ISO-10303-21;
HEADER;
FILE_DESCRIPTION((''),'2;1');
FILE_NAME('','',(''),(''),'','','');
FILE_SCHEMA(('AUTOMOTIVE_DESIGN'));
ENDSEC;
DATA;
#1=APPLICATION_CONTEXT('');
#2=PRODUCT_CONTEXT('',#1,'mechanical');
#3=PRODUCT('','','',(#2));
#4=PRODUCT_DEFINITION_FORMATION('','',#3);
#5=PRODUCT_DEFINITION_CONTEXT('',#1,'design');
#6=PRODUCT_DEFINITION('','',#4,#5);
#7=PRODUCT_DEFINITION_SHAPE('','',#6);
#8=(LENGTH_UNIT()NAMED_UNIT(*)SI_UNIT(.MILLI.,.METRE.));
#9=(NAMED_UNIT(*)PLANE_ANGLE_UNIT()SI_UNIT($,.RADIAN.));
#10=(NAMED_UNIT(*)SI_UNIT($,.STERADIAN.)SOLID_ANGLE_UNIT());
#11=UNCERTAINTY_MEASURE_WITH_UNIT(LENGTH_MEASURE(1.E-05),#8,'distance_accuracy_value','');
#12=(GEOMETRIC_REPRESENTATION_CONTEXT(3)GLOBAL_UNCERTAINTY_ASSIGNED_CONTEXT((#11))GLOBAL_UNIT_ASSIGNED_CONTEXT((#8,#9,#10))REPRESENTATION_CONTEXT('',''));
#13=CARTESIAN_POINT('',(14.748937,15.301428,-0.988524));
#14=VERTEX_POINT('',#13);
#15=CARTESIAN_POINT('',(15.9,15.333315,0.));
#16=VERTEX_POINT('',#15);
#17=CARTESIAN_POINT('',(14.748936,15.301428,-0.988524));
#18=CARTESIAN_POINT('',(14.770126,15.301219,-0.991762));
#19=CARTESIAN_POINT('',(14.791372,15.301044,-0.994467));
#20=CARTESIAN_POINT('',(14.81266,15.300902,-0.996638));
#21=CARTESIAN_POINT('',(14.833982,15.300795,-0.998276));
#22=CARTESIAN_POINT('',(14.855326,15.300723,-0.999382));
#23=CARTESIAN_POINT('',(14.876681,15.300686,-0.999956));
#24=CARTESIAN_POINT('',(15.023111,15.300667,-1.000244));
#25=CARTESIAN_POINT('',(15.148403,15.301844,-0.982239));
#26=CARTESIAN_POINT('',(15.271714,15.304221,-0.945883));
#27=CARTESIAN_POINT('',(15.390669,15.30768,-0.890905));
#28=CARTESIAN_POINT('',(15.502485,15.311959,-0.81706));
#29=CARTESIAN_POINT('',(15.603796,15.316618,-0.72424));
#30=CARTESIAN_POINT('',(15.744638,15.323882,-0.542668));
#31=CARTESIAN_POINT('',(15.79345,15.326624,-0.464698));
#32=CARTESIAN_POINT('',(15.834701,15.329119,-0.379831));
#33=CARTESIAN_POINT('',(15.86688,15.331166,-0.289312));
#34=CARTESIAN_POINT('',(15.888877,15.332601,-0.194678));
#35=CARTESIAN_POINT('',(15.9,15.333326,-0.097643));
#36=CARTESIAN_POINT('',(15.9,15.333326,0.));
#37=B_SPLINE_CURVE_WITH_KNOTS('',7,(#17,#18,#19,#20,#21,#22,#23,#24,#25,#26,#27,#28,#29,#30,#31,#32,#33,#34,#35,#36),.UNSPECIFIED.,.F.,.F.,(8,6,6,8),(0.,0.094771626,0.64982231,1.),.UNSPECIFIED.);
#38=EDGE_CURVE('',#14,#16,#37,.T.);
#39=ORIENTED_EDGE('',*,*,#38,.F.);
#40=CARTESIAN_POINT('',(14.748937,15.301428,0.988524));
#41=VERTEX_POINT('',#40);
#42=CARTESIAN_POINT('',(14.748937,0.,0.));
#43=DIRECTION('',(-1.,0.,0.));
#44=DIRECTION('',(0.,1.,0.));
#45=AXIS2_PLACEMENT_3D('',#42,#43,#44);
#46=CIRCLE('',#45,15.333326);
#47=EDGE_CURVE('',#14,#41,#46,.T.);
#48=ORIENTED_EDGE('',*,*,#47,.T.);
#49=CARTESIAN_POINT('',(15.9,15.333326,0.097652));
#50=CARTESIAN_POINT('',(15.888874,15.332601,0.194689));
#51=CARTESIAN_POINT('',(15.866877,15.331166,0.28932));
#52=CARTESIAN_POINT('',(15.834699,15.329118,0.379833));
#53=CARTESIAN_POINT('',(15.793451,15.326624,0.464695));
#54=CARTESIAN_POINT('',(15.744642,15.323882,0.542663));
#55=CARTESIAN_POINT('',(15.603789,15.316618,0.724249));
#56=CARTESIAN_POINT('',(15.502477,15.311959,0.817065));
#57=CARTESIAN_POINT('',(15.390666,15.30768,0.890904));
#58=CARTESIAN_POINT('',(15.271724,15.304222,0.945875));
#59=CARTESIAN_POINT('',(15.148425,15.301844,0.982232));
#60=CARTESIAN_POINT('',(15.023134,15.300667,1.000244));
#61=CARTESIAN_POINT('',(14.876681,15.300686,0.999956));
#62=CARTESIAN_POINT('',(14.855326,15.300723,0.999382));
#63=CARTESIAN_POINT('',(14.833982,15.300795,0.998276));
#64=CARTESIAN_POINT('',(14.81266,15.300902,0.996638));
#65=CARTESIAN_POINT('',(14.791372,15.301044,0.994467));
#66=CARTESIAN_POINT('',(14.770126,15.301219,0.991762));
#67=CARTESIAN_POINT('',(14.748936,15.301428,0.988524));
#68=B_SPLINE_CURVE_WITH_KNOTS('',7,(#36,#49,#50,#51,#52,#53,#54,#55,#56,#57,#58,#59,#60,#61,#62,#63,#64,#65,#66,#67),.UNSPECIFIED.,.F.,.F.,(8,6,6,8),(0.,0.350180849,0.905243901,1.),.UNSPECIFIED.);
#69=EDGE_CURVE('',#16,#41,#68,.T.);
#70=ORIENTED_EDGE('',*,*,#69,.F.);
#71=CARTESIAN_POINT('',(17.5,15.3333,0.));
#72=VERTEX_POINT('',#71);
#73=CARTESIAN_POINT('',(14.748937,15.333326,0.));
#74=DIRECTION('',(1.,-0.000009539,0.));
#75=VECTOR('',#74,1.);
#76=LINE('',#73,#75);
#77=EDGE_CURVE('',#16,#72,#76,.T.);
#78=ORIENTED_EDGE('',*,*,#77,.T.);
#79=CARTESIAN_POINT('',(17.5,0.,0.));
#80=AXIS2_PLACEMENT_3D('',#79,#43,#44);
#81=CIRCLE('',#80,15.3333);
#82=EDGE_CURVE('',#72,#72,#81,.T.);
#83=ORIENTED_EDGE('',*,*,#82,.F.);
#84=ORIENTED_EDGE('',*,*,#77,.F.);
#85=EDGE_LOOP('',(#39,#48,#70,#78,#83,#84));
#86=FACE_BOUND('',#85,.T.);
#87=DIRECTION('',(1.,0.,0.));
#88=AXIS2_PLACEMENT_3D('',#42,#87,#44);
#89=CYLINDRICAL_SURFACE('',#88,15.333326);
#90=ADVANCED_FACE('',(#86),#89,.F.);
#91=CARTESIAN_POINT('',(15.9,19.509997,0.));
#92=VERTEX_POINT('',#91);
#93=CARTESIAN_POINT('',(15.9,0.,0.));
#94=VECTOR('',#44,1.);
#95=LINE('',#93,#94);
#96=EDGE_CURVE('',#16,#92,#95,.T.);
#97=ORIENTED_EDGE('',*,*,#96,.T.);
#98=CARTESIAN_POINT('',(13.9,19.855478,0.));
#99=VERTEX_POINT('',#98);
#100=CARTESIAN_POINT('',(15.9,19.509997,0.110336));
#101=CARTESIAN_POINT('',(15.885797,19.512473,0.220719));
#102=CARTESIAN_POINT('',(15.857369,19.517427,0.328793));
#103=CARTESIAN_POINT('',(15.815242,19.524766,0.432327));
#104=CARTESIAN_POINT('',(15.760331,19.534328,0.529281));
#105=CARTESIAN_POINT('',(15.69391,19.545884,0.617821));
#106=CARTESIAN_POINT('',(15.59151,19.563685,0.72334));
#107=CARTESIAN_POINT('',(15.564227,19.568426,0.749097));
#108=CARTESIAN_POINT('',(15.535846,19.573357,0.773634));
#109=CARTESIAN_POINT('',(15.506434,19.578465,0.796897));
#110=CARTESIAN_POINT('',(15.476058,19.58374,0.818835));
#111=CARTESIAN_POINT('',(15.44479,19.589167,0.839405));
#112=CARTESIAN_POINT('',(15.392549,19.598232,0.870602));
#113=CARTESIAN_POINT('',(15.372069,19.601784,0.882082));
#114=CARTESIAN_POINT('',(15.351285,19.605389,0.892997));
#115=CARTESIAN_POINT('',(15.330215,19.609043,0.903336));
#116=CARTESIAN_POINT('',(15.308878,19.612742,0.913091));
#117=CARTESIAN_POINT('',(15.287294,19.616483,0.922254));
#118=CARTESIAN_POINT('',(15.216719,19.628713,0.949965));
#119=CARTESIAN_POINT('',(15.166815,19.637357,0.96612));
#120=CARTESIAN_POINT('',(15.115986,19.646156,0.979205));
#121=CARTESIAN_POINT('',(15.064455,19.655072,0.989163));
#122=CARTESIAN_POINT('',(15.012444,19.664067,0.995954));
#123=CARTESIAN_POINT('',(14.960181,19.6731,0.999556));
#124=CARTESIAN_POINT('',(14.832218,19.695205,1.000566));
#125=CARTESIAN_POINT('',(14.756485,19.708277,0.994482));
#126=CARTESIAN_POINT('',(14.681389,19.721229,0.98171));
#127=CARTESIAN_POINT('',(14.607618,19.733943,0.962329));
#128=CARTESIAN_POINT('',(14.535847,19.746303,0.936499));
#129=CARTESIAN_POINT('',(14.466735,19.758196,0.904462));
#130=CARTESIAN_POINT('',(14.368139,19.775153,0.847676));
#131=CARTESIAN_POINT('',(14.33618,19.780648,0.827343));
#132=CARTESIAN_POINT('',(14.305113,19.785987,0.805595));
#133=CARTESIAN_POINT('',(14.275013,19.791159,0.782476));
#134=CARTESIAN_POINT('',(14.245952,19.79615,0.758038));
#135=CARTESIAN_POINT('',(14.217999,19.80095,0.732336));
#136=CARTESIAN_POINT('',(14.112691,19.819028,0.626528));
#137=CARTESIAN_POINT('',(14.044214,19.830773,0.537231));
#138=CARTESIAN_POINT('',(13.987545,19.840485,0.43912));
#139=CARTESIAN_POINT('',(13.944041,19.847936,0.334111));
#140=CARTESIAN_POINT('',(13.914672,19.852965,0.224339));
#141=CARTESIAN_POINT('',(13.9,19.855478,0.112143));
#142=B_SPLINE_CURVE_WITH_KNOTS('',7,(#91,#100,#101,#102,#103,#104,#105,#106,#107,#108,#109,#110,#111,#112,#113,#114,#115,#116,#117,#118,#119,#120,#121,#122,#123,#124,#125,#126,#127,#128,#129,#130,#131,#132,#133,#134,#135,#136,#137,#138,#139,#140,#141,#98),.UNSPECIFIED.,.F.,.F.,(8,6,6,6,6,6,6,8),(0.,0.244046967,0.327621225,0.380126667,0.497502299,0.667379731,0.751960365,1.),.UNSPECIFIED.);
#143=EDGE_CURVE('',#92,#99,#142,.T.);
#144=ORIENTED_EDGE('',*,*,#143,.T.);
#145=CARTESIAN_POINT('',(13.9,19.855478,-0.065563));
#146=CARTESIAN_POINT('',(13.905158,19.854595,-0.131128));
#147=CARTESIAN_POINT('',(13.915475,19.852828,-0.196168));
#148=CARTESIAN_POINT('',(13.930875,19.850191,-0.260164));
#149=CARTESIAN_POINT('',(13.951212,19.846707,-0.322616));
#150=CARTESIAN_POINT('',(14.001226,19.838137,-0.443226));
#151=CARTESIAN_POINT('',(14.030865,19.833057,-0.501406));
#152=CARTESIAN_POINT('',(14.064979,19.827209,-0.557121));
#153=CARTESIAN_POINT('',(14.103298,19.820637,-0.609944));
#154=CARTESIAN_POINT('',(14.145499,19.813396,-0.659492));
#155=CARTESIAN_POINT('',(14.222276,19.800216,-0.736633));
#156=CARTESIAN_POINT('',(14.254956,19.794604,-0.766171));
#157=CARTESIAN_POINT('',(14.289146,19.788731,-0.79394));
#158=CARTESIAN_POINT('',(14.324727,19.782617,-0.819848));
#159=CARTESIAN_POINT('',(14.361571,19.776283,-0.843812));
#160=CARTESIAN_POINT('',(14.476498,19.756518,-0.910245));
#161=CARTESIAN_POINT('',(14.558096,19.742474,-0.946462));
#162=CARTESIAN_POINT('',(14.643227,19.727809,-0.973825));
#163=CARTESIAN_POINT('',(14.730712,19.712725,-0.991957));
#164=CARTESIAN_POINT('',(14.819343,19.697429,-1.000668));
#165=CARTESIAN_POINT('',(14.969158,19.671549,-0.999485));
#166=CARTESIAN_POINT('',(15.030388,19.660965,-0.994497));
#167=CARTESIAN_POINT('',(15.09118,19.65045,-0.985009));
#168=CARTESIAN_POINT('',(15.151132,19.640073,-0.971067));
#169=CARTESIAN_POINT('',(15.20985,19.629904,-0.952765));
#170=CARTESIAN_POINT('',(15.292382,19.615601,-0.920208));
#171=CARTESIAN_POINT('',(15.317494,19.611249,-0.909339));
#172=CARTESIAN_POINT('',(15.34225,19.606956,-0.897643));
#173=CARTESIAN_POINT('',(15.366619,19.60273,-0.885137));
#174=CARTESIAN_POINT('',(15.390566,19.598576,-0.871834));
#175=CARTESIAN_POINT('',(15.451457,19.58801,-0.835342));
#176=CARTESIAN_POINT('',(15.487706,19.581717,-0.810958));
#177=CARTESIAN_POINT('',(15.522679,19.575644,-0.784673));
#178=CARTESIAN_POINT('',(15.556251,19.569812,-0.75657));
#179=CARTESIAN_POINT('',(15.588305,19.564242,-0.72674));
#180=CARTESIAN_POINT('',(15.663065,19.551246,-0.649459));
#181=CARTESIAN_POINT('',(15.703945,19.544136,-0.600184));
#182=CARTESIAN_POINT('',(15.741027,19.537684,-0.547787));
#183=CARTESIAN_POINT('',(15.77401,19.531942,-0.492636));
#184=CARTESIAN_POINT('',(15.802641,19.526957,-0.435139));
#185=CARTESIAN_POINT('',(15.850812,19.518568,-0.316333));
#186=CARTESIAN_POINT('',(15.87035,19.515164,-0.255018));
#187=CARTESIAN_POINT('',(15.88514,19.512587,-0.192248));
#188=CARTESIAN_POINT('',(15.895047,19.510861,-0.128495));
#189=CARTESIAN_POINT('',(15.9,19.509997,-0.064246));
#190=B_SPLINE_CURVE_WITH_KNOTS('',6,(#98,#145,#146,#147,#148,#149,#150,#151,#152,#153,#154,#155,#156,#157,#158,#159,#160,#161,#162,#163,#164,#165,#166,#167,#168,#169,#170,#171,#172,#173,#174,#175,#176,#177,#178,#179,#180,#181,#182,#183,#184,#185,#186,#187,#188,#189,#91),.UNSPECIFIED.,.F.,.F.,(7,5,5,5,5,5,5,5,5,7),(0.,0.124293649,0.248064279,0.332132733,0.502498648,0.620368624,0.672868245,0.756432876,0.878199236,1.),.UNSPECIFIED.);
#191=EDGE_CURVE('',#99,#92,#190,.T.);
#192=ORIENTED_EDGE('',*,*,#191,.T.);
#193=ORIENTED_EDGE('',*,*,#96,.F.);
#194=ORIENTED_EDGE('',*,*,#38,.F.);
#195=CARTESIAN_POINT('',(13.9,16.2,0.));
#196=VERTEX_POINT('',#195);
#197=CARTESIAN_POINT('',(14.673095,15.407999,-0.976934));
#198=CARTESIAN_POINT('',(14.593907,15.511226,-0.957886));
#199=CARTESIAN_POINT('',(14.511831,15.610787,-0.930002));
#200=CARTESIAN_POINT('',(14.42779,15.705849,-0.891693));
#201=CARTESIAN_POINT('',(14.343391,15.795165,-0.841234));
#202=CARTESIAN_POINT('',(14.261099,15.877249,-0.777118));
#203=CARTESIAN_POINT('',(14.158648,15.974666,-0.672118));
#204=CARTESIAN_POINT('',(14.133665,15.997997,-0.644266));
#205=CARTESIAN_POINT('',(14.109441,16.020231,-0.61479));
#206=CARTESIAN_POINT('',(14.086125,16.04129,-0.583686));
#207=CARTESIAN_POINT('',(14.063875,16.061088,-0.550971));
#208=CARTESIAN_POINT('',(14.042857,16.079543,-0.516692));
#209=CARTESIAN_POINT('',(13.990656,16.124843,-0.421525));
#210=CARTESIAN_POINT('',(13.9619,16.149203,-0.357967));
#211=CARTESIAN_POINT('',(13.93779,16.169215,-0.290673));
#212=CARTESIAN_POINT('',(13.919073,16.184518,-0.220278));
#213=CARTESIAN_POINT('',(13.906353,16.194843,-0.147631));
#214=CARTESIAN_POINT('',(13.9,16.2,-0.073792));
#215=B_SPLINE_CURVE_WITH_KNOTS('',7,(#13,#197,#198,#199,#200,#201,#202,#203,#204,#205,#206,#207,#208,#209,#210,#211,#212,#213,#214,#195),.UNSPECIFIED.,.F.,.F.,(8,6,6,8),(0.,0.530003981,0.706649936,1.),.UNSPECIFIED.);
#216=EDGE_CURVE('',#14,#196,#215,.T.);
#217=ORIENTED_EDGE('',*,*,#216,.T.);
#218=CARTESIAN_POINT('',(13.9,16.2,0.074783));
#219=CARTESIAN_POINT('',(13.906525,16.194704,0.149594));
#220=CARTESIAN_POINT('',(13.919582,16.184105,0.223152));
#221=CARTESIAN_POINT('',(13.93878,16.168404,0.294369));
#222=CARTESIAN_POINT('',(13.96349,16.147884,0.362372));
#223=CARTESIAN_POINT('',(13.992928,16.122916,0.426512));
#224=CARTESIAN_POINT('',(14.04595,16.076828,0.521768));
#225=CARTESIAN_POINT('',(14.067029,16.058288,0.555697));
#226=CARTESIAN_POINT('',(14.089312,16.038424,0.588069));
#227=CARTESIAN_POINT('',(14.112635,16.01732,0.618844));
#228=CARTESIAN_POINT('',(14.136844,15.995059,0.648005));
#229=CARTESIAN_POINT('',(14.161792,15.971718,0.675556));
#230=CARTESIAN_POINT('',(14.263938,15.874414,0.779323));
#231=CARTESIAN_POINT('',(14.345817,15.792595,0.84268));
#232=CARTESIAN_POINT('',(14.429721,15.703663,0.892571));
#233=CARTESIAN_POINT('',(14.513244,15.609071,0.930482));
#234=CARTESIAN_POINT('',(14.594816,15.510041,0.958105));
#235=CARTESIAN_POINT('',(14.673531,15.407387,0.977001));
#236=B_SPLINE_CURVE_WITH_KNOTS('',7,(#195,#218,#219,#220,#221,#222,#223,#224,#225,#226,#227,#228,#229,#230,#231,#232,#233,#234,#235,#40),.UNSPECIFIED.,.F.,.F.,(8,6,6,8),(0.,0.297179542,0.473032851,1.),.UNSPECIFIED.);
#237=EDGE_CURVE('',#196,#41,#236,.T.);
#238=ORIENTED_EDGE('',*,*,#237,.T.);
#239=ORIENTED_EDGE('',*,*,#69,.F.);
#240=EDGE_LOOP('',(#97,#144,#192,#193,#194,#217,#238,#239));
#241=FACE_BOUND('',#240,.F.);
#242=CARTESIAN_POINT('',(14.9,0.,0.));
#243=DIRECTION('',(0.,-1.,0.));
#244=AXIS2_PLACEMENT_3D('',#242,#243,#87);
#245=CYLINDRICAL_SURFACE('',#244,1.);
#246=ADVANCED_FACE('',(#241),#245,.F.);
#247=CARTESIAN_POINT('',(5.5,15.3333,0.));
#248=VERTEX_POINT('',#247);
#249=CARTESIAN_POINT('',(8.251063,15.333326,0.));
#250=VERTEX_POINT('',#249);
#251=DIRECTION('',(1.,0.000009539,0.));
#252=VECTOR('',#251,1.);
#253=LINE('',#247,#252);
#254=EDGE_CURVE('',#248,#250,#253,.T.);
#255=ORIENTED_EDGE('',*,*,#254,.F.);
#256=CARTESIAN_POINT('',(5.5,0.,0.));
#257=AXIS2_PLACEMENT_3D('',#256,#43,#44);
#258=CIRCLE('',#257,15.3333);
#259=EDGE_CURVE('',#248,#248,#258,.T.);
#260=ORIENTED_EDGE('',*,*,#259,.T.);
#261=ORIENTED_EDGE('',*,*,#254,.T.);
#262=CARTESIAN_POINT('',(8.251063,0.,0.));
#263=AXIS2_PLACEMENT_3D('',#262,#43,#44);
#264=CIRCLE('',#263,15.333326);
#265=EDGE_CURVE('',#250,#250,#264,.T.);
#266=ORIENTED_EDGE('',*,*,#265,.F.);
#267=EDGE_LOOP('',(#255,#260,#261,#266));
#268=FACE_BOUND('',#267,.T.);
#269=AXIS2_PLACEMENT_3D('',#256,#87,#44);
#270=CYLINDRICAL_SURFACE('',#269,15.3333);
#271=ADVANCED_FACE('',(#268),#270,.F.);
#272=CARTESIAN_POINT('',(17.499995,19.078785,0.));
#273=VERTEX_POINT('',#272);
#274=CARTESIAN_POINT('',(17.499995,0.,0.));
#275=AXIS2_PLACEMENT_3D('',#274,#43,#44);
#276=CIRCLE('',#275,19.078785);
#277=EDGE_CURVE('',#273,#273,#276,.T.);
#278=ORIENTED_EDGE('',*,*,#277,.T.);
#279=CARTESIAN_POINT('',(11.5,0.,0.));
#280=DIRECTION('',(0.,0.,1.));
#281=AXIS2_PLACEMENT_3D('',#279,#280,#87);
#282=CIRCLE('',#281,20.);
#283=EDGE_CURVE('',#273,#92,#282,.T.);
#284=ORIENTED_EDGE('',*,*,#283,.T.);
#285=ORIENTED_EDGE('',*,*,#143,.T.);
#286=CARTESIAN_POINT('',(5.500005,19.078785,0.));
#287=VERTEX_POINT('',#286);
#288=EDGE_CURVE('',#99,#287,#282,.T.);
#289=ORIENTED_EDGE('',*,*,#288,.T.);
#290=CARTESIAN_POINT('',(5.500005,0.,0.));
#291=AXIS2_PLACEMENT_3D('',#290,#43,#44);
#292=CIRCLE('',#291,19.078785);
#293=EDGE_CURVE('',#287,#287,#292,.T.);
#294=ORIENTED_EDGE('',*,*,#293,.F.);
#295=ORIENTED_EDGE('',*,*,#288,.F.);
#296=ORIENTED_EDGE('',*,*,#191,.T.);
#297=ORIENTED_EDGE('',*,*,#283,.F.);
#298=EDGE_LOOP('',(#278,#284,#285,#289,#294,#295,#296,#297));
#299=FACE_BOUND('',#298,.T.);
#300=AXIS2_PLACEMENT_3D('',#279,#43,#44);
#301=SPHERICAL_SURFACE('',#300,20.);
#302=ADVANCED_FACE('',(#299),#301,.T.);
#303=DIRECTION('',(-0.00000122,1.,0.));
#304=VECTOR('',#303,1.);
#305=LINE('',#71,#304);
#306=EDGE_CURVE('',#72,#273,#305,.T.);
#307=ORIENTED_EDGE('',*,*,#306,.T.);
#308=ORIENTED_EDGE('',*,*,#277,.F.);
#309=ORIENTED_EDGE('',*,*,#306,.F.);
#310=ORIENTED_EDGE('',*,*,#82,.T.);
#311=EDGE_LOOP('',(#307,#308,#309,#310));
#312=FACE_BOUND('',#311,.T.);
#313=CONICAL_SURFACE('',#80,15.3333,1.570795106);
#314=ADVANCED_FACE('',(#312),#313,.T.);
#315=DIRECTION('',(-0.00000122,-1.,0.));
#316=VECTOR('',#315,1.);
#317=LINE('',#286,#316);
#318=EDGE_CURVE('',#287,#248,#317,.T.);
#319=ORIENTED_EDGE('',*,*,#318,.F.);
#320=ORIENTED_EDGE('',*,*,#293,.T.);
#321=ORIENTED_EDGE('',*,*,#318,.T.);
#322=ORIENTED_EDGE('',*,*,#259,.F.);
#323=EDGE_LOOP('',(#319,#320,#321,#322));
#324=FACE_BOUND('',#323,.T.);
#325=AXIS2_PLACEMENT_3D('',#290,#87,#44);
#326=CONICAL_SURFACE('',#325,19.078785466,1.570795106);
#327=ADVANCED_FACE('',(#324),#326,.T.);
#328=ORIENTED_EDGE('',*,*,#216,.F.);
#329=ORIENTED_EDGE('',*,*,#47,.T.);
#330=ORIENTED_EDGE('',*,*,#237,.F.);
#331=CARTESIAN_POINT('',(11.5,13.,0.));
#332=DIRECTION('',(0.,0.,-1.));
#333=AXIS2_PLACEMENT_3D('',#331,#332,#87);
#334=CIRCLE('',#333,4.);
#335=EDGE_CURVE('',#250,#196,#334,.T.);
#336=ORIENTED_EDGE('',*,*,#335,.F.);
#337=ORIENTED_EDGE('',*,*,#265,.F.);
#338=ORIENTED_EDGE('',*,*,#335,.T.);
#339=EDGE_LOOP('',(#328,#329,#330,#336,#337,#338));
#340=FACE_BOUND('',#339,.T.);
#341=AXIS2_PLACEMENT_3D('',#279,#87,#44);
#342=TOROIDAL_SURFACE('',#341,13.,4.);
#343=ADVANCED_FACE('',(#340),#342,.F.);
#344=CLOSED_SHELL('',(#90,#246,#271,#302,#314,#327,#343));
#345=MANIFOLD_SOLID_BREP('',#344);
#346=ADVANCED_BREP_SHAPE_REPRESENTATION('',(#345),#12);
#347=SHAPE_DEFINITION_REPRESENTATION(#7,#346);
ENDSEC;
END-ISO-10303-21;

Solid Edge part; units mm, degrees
sketch "Sketch1" plane through (0, 0, 0) normal (0, 0, 1) x (1, 0, 0)
  line L0 (5.5, 19.0788) -> (5.5, 15.3333)
  line L1 (5.5, 15.3333) -> (8.2511, 15.3333)
  arc A0 (8.2511, 15.3333) -> (14.7489, 15.3333) centre (11.5, 13) cw
  line L2 (14.7489, 15.3333) -> (17.5, 15.3333)
  line L3 (17.5, 15.3333) -> (17.5, 19.0788)
  arc A1 (17.5, 19.0788) -> (5.5, 19.0788) centre (11.5, 0) ccw
revolve "RevolvedProtrusion1" add sketch "Sketch1" angle 360 about axis through (17.5, 0, 0) along (-1, 0, 0)
sketch "Sketch2" plane through (0, 0, 0) normal (0, -1, 0) x (1, 0, 0)
  circle A0 centre (14.9, 0) radius 1
extrude "Cutout1" cut sketch "Sketch2" against normal blind 40
properties part number "UCP201 GB/T7810-1995_PART1"
